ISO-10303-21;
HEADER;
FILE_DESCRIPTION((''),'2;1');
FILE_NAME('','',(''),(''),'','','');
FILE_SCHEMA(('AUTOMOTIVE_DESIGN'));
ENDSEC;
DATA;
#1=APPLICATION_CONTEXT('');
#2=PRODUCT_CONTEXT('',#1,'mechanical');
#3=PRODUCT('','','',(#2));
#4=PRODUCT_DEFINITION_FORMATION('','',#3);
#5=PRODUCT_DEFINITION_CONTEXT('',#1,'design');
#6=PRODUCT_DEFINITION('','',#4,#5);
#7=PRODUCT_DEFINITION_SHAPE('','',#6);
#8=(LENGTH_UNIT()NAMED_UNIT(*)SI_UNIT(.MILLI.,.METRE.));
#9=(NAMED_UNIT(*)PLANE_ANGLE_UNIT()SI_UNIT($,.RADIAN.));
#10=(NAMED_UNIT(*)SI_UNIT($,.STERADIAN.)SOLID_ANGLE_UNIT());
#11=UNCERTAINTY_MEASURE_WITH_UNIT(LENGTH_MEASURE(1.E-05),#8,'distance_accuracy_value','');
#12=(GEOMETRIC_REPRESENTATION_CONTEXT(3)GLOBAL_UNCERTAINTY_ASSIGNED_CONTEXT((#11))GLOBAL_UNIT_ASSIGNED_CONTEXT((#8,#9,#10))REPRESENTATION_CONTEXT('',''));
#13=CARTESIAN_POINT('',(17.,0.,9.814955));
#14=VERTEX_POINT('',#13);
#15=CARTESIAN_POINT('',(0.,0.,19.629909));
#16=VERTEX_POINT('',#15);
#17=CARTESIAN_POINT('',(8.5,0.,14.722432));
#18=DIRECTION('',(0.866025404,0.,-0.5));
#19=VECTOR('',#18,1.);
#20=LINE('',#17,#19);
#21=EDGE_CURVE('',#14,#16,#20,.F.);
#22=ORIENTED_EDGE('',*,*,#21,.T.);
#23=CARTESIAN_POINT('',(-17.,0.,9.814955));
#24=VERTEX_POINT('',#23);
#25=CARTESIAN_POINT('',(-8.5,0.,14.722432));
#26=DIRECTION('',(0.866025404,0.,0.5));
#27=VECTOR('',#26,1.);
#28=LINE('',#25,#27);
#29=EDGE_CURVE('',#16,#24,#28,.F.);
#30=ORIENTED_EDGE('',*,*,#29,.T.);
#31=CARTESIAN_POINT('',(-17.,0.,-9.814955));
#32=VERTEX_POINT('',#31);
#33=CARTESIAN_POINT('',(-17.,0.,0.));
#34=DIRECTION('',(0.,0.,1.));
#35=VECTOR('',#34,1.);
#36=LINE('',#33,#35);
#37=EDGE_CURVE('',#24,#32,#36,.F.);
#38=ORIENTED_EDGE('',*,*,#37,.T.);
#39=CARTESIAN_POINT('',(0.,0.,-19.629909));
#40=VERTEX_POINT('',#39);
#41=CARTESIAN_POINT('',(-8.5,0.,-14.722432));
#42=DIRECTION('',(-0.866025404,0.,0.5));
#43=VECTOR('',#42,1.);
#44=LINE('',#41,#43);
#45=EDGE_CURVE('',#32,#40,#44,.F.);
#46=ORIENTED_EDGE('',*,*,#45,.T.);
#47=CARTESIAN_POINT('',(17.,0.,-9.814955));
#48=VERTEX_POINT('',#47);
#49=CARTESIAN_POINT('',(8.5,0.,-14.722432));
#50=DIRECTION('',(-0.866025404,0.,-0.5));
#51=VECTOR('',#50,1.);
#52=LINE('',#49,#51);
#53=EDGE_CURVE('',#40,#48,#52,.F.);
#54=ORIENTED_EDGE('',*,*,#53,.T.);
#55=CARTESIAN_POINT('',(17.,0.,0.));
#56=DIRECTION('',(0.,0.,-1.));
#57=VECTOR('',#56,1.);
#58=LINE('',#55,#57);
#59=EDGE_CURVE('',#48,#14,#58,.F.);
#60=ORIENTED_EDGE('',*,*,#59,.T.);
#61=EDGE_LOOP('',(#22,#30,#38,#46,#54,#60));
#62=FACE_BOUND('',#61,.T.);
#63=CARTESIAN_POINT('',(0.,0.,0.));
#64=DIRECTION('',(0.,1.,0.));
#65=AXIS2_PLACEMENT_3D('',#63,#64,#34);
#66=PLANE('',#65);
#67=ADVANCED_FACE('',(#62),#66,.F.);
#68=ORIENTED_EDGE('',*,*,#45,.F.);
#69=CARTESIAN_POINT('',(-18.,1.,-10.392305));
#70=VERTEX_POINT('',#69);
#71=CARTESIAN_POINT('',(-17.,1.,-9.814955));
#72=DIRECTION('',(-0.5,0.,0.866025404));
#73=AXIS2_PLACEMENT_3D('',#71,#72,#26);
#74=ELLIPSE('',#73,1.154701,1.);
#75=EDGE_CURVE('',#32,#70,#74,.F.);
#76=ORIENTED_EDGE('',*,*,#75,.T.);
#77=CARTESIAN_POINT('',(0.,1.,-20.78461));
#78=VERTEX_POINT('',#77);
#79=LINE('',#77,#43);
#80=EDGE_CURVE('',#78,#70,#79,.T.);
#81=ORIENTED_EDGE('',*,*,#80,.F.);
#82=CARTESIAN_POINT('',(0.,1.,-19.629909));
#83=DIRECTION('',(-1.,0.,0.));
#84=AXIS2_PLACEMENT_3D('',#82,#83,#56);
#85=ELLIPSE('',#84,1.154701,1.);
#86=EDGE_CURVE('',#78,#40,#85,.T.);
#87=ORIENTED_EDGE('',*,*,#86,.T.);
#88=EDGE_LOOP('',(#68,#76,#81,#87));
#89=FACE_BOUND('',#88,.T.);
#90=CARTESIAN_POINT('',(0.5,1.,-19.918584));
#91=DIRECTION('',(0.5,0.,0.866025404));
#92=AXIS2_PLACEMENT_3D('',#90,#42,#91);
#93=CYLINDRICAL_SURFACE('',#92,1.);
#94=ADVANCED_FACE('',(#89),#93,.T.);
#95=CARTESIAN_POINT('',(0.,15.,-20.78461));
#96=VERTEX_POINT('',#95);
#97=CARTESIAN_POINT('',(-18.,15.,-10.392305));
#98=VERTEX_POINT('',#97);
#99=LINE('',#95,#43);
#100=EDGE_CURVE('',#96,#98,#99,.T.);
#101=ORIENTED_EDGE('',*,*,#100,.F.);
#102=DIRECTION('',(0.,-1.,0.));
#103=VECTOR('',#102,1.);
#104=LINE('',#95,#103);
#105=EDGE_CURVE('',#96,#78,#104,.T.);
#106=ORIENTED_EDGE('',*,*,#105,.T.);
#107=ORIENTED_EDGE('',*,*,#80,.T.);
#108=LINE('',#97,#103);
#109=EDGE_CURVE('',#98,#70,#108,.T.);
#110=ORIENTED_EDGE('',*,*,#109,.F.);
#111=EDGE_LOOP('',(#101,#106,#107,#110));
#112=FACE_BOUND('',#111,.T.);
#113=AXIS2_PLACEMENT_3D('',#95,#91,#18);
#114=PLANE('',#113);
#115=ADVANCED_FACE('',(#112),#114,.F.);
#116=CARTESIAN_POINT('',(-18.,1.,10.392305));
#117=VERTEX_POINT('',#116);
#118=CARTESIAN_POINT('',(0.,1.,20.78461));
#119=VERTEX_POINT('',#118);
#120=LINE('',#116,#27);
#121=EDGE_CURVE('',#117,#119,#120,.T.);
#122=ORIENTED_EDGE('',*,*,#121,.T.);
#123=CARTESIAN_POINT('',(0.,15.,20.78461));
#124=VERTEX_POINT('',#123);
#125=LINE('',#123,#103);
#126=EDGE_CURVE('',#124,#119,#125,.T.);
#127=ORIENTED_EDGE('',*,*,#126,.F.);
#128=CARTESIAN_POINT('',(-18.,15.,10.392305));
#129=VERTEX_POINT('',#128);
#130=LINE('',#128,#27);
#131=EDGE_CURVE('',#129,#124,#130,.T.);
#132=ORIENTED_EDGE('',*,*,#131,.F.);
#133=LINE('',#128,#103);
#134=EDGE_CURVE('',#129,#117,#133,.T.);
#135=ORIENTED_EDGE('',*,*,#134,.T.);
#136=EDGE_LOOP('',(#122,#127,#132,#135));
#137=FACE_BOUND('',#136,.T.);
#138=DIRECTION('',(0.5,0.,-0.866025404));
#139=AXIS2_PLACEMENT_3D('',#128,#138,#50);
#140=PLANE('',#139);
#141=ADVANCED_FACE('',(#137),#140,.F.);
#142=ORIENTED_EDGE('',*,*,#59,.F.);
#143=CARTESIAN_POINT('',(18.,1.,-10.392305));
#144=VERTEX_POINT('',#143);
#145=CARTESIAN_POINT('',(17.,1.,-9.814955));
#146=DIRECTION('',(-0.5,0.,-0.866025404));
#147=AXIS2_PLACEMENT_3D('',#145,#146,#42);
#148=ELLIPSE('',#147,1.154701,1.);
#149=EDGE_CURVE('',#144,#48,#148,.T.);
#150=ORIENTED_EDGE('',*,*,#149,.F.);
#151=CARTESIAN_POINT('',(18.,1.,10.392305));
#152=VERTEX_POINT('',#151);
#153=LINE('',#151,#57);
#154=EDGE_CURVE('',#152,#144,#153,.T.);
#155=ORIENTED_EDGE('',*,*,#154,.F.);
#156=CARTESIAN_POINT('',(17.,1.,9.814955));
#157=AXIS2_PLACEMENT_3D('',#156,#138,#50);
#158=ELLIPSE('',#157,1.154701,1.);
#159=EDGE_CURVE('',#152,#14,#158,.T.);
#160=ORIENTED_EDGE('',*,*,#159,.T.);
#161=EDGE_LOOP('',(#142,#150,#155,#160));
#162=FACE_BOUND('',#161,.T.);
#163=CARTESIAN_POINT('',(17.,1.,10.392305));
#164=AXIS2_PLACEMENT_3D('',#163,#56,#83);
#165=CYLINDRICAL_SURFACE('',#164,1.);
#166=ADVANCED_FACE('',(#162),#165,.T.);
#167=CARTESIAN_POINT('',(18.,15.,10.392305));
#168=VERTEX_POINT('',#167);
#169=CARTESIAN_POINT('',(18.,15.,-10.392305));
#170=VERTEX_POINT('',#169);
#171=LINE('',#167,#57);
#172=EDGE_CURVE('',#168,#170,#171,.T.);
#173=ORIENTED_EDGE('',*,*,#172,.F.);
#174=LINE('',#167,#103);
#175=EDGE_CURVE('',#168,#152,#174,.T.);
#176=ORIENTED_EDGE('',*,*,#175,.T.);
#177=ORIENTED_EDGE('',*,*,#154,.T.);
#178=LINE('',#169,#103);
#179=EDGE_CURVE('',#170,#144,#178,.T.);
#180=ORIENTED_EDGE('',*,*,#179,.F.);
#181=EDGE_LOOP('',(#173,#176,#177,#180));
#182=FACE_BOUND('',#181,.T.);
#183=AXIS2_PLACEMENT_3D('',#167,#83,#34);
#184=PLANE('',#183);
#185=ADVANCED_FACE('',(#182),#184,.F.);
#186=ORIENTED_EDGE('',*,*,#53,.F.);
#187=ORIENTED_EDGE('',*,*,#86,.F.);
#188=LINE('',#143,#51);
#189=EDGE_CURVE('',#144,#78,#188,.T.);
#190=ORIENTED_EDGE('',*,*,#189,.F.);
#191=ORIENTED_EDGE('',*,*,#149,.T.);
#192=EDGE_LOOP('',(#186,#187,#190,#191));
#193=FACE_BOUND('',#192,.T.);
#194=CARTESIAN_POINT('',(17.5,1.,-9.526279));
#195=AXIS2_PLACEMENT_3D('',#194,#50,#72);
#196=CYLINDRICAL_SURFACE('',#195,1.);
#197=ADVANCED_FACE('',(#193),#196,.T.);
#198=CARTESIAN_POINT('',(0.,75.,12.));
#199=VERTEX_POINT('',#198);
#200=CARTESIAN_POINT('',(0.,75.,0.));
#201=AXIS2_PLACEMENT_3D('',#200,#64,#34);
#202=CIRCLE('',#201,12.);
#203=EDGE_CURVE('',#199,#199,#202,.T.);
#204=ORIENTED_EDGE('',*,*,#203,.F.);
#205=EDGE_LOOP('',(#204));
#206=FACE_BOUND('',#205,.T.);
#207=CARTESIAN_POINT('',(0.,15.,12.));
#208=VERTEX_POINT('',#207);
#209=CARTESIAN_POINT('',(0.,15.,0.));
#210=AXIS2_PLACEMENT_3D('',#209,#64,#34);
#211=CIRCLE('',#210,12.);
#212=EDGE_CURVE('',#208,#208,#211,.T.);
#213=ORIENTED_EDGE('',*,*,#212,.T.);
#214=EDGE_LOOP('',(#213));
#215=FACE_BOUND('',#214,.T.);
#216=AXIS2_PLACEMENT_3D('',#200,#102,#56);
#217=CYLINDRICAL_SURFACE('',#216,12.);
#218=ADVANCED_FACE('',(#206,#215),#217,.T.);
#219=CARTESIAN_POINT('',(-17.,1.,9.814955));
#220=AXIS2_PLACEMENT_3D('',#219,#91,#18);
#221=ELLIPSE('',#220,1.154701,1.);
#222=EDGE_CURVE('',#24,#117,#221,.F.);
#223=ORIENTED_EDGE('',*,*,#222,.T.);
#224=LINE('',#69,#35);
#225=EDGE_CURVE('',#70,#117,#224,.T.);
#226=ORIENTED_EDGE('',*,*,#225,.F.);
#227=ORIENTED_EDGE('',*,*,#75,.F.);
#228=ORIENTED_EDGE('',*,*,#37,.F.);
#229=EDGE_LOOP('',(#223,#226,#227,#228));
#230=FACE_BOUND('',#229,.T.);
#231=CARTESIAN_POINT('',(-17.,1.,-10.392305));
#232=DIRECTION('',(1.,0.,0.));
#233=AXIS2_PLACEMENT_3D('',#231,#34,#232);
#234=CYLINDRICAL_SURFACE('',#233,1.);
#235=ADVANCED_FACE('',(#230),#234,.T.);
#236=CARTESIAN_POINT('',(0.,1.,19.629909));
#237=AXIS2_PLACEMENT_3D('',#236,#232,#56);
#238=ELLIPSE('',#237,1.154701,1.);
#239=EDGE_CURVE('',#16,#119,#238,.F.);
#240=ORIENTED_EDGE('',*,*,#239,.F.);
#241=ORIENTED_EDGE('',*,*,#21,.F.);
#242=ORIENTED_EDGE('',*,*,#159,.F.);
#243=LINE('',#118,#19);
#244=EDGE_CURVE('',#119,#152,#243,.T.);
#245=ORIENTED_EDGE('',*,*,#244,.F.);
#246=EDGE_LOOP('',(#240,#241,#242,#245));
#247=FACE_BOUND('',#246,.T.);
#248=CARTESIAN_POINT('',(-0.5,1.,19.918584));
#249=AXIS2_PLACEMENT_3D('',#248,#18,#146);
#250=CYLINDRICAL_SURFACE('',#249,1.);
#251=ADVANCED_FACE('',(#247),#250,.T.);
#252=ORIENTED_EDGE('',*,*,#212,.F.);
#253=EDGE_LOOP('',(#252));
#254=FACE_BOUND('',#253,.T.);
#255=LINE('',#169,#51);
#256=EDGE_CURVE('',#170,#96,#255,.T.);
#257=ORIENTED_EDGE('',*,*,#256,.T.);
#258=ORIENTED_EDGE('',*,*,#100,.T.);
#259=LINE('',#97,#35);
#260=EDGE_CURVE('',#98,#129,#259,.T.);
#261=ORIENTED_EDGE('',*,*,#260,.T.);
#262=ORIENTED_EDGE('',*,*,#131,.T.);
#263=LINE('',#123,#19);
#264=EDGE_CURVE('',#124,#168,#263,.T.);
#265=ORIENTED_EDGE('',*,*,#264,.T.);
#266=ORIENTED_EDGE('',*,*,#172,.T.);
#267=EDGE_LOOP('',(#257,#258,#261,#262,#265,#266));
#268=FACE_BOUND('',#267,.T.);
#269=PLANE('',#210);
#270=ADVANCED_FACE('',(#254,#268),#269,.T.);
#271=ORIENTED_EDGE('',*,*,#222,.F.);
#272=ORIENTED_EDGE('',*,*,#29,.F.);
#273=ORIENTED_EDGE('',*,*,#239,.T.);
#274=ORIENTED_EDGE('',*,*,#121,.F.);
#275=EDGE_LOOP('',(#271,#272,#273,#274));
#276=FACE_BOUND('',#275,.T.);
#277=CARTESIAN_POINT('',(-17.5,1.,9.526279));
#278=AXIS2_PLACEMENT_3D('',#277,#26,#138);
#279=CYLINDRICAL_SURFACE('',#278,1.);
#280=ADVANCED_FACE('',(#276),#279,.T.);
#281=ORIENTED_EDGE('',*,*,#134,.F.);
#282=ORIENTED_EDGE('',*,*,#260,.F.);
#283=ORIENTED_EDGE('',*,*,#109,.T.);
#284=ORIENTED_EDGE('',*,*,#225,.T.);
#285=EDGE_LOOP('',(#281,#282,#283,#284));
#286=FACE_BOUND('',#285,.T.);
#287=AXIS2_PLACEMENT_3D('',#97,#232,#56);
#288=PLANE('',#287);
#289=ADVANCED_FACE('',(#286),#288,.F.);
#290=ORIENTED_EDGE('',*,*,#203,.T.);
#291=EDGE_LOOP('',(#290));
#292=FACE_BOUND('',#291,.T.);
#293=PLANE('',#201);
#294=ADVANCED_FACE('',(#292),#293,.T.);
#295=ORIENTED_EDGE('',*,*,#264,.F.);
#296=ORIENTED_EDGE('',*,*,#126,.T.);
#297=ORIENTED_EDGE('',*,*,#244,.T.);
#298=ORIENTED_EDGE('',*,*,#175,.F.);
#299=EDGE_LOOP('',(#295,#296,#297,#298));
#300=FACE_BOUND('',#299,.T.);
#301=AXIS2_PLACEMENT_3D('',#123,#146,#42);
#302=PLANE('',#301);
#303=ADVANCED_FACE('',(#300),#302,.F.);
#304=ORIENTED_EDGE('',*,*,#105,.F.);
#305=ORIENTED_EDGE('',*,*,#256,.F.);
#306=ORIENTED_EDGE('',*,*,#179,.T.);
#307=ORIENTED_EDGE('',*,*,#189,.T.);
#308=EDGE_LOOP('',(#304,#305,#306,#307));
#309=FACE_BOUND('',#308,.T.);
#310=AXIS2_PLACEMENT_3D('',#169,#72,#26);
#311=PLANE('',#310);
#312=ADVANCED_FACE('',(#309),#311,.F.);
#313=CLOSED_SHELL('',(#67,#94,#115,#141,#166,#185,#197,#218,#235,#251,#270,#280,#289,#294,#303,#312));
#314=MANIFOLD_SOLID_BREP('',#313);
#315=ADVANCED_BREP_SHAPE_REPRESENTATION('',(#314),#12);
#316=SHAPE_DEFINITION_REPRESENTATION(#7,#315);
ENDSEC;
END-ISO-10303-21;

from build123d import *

# Parameters (mm, degrees)
EXTRUDE_1_DEPTH = 15
SKETCH_2_R      = 12
EXTRUDE_2_DEPTH = 60
FILLET_1_R      = 1


with BuildPart() as part:
    # 草圖1 → 填料-伸長1 (new body)
    with BuildSketch(Plane(origin=(0, 0, 0), x_dir=(1, 0, 0), z_dir=(0, 1, 0))):
        Polygon((18, -10.392304845), (18, 10.392304845), (0, 20.784609691), (-18, 10.392304845), (-18, -10.392304845), (0, -20.784609691), align=None)
    extrude(amount=EXTRUDE_1_DEPTH)

    # 草圖2 → 填料-伸長2 (add)
    with BuildSketch(Plane(origin=(0, 15, 0), x_dir=(1, 0, 0), z_dir=(0, 1, 0))):
        Circle(SKETCH_2_R)
    extrude(amount=EXTRUDE_2_DEPTH)

    # 圓角1
    fillet_1_edges = [part.edges().sort_by_distance(p)[0] for p in [
        (18, 0, 0),
        (9, 0, 15.588457268),
        (-9, 0, 15.588457268),
        (-18, 0, 0),
        (-9, 0, -15.588457268),
        (9, 0, -15.588457268),
    ]]
    fillet(fillet_1_edges, radius=FILLET_1_R)


solid = part.part
